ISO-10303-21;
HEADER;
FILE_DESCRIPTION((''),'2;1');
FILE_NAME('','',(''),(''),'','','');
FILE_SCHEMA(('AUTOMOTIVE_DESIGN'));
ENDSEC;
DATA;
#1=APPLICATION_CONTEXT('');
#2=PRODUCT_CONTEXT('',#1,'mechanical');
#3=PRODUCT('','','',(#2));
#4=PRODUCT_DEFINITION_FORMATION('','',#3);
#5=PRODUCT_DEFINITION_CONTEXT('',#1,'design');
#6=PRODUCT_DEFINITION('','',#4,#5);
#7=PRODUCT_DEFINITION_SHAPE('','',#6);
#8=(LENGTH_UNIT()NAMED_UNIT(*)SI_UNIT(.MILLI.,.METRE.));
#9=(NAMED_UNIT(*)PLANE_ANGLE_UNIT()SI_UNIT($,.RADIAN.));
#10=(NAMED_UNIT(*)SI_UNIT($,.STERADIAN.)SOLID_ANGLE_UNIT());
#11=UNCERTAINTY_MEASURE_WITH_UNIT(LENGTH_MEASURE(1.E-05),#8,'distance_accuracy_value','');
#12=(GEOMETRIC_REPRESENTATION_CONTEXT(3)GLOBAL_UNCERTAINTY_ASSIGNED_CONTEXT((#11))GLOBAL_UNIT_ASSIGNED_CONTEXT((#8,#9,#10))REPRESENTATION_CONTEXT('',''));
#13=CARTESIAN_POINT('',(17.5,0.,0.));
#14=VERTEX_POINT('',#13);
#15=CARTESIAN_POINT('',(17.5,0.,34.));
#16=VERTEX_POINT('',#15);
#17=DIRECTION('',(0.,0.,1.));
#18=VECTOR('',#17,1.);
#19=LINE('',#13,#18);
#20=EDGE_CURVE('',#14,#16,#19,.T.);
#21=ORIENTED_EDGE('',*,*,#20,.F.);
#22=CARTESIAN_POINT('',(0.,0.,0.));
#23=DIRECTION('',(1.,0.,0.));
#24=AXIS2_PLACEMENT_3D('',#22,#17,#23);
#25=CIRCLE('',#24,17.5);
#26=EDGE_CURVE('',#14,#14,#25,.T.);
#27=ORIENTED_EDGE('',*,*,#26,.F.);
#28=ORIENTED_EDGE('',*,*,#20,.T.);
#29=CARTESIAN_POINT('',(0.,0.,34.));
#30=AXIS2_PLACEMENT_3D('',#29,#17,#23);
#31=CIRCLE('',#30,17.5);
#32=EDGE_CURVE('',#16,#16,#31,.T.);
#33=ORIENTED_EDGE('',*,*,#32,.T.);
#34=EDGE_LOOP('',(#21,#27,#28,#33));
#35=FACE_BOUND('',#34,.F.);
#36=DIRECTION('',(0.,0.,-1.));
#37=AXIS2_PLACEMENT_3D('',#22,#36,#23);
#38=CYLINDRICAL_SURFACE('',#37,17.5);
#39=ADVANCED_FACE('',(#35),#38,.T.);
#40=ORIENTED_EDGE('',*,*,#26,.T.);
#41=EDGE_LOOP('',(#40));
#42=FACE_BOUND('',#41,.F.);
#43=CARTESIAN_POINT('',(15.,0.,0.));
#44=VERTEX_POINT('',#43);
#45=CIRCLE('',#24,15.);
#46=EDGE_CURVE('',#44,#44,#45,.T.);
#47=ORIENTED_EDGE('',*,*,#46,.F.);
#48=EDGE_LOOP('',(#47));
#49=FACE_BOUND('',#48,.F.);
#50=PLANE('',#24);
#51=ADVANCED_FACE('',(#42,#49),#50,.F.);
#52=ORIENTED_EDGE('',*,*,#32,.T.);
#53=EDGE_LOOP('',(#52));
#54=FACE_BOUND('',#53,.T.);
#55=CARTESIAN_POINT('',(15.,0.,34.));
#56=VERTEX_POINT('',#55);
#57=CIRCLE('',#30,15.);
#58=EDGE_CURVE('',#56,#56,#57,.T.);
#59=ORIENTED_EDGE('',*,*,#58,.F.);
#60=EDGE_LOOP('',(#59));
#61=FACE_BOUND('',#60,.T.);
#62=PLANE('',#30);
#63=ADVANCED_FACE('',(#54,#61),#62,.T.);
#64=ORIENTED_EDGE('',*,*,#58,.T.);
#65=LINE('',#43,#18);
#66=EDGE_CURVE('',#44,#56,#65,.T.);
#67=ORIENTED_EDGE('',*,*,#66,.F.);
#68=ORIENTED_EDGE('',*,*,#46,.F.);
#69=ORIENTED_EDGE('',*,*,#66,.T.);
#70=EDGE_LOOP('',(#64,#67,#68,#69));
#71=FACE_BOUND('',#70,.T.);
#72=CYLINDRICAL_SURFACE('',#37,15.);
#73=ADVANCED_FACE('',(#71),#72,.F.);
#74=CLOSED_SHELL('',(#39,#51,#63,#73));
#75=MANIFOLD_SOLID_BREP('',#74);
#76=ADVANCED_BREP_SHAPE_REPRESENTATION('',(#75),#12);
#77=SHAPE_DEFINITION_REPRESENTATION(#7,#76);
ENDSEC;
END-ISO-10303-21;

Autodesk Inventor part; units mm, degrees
ref_plane "YZ Plane" through (0, 0, 0) normal (1, 0, 0) x (0, 1, 0)
ref_plane "XZ Plane" through (0, 0, 0) normal (0, 1, 0) x (-1, 0, 0)
ref_plane "XY Plane" through (0, 0, 0) normal (0, 0, 1) x (1, 0, 0)
sketch "Szkic1" plane through (0, 0, 0) normal (0, 0, 1) x (1, 0, 0)
  circle A0 centre (0, 0) radius 15
  circle A1 centre (0, 0) radius 17.5
  dimension "d0" = 30
  dimension "d1" = 35
extrude "Wyciągnięcie proste1" add sketch "Szkic1" along normal blind 34
properties part number "tuleja_dystansowa"
